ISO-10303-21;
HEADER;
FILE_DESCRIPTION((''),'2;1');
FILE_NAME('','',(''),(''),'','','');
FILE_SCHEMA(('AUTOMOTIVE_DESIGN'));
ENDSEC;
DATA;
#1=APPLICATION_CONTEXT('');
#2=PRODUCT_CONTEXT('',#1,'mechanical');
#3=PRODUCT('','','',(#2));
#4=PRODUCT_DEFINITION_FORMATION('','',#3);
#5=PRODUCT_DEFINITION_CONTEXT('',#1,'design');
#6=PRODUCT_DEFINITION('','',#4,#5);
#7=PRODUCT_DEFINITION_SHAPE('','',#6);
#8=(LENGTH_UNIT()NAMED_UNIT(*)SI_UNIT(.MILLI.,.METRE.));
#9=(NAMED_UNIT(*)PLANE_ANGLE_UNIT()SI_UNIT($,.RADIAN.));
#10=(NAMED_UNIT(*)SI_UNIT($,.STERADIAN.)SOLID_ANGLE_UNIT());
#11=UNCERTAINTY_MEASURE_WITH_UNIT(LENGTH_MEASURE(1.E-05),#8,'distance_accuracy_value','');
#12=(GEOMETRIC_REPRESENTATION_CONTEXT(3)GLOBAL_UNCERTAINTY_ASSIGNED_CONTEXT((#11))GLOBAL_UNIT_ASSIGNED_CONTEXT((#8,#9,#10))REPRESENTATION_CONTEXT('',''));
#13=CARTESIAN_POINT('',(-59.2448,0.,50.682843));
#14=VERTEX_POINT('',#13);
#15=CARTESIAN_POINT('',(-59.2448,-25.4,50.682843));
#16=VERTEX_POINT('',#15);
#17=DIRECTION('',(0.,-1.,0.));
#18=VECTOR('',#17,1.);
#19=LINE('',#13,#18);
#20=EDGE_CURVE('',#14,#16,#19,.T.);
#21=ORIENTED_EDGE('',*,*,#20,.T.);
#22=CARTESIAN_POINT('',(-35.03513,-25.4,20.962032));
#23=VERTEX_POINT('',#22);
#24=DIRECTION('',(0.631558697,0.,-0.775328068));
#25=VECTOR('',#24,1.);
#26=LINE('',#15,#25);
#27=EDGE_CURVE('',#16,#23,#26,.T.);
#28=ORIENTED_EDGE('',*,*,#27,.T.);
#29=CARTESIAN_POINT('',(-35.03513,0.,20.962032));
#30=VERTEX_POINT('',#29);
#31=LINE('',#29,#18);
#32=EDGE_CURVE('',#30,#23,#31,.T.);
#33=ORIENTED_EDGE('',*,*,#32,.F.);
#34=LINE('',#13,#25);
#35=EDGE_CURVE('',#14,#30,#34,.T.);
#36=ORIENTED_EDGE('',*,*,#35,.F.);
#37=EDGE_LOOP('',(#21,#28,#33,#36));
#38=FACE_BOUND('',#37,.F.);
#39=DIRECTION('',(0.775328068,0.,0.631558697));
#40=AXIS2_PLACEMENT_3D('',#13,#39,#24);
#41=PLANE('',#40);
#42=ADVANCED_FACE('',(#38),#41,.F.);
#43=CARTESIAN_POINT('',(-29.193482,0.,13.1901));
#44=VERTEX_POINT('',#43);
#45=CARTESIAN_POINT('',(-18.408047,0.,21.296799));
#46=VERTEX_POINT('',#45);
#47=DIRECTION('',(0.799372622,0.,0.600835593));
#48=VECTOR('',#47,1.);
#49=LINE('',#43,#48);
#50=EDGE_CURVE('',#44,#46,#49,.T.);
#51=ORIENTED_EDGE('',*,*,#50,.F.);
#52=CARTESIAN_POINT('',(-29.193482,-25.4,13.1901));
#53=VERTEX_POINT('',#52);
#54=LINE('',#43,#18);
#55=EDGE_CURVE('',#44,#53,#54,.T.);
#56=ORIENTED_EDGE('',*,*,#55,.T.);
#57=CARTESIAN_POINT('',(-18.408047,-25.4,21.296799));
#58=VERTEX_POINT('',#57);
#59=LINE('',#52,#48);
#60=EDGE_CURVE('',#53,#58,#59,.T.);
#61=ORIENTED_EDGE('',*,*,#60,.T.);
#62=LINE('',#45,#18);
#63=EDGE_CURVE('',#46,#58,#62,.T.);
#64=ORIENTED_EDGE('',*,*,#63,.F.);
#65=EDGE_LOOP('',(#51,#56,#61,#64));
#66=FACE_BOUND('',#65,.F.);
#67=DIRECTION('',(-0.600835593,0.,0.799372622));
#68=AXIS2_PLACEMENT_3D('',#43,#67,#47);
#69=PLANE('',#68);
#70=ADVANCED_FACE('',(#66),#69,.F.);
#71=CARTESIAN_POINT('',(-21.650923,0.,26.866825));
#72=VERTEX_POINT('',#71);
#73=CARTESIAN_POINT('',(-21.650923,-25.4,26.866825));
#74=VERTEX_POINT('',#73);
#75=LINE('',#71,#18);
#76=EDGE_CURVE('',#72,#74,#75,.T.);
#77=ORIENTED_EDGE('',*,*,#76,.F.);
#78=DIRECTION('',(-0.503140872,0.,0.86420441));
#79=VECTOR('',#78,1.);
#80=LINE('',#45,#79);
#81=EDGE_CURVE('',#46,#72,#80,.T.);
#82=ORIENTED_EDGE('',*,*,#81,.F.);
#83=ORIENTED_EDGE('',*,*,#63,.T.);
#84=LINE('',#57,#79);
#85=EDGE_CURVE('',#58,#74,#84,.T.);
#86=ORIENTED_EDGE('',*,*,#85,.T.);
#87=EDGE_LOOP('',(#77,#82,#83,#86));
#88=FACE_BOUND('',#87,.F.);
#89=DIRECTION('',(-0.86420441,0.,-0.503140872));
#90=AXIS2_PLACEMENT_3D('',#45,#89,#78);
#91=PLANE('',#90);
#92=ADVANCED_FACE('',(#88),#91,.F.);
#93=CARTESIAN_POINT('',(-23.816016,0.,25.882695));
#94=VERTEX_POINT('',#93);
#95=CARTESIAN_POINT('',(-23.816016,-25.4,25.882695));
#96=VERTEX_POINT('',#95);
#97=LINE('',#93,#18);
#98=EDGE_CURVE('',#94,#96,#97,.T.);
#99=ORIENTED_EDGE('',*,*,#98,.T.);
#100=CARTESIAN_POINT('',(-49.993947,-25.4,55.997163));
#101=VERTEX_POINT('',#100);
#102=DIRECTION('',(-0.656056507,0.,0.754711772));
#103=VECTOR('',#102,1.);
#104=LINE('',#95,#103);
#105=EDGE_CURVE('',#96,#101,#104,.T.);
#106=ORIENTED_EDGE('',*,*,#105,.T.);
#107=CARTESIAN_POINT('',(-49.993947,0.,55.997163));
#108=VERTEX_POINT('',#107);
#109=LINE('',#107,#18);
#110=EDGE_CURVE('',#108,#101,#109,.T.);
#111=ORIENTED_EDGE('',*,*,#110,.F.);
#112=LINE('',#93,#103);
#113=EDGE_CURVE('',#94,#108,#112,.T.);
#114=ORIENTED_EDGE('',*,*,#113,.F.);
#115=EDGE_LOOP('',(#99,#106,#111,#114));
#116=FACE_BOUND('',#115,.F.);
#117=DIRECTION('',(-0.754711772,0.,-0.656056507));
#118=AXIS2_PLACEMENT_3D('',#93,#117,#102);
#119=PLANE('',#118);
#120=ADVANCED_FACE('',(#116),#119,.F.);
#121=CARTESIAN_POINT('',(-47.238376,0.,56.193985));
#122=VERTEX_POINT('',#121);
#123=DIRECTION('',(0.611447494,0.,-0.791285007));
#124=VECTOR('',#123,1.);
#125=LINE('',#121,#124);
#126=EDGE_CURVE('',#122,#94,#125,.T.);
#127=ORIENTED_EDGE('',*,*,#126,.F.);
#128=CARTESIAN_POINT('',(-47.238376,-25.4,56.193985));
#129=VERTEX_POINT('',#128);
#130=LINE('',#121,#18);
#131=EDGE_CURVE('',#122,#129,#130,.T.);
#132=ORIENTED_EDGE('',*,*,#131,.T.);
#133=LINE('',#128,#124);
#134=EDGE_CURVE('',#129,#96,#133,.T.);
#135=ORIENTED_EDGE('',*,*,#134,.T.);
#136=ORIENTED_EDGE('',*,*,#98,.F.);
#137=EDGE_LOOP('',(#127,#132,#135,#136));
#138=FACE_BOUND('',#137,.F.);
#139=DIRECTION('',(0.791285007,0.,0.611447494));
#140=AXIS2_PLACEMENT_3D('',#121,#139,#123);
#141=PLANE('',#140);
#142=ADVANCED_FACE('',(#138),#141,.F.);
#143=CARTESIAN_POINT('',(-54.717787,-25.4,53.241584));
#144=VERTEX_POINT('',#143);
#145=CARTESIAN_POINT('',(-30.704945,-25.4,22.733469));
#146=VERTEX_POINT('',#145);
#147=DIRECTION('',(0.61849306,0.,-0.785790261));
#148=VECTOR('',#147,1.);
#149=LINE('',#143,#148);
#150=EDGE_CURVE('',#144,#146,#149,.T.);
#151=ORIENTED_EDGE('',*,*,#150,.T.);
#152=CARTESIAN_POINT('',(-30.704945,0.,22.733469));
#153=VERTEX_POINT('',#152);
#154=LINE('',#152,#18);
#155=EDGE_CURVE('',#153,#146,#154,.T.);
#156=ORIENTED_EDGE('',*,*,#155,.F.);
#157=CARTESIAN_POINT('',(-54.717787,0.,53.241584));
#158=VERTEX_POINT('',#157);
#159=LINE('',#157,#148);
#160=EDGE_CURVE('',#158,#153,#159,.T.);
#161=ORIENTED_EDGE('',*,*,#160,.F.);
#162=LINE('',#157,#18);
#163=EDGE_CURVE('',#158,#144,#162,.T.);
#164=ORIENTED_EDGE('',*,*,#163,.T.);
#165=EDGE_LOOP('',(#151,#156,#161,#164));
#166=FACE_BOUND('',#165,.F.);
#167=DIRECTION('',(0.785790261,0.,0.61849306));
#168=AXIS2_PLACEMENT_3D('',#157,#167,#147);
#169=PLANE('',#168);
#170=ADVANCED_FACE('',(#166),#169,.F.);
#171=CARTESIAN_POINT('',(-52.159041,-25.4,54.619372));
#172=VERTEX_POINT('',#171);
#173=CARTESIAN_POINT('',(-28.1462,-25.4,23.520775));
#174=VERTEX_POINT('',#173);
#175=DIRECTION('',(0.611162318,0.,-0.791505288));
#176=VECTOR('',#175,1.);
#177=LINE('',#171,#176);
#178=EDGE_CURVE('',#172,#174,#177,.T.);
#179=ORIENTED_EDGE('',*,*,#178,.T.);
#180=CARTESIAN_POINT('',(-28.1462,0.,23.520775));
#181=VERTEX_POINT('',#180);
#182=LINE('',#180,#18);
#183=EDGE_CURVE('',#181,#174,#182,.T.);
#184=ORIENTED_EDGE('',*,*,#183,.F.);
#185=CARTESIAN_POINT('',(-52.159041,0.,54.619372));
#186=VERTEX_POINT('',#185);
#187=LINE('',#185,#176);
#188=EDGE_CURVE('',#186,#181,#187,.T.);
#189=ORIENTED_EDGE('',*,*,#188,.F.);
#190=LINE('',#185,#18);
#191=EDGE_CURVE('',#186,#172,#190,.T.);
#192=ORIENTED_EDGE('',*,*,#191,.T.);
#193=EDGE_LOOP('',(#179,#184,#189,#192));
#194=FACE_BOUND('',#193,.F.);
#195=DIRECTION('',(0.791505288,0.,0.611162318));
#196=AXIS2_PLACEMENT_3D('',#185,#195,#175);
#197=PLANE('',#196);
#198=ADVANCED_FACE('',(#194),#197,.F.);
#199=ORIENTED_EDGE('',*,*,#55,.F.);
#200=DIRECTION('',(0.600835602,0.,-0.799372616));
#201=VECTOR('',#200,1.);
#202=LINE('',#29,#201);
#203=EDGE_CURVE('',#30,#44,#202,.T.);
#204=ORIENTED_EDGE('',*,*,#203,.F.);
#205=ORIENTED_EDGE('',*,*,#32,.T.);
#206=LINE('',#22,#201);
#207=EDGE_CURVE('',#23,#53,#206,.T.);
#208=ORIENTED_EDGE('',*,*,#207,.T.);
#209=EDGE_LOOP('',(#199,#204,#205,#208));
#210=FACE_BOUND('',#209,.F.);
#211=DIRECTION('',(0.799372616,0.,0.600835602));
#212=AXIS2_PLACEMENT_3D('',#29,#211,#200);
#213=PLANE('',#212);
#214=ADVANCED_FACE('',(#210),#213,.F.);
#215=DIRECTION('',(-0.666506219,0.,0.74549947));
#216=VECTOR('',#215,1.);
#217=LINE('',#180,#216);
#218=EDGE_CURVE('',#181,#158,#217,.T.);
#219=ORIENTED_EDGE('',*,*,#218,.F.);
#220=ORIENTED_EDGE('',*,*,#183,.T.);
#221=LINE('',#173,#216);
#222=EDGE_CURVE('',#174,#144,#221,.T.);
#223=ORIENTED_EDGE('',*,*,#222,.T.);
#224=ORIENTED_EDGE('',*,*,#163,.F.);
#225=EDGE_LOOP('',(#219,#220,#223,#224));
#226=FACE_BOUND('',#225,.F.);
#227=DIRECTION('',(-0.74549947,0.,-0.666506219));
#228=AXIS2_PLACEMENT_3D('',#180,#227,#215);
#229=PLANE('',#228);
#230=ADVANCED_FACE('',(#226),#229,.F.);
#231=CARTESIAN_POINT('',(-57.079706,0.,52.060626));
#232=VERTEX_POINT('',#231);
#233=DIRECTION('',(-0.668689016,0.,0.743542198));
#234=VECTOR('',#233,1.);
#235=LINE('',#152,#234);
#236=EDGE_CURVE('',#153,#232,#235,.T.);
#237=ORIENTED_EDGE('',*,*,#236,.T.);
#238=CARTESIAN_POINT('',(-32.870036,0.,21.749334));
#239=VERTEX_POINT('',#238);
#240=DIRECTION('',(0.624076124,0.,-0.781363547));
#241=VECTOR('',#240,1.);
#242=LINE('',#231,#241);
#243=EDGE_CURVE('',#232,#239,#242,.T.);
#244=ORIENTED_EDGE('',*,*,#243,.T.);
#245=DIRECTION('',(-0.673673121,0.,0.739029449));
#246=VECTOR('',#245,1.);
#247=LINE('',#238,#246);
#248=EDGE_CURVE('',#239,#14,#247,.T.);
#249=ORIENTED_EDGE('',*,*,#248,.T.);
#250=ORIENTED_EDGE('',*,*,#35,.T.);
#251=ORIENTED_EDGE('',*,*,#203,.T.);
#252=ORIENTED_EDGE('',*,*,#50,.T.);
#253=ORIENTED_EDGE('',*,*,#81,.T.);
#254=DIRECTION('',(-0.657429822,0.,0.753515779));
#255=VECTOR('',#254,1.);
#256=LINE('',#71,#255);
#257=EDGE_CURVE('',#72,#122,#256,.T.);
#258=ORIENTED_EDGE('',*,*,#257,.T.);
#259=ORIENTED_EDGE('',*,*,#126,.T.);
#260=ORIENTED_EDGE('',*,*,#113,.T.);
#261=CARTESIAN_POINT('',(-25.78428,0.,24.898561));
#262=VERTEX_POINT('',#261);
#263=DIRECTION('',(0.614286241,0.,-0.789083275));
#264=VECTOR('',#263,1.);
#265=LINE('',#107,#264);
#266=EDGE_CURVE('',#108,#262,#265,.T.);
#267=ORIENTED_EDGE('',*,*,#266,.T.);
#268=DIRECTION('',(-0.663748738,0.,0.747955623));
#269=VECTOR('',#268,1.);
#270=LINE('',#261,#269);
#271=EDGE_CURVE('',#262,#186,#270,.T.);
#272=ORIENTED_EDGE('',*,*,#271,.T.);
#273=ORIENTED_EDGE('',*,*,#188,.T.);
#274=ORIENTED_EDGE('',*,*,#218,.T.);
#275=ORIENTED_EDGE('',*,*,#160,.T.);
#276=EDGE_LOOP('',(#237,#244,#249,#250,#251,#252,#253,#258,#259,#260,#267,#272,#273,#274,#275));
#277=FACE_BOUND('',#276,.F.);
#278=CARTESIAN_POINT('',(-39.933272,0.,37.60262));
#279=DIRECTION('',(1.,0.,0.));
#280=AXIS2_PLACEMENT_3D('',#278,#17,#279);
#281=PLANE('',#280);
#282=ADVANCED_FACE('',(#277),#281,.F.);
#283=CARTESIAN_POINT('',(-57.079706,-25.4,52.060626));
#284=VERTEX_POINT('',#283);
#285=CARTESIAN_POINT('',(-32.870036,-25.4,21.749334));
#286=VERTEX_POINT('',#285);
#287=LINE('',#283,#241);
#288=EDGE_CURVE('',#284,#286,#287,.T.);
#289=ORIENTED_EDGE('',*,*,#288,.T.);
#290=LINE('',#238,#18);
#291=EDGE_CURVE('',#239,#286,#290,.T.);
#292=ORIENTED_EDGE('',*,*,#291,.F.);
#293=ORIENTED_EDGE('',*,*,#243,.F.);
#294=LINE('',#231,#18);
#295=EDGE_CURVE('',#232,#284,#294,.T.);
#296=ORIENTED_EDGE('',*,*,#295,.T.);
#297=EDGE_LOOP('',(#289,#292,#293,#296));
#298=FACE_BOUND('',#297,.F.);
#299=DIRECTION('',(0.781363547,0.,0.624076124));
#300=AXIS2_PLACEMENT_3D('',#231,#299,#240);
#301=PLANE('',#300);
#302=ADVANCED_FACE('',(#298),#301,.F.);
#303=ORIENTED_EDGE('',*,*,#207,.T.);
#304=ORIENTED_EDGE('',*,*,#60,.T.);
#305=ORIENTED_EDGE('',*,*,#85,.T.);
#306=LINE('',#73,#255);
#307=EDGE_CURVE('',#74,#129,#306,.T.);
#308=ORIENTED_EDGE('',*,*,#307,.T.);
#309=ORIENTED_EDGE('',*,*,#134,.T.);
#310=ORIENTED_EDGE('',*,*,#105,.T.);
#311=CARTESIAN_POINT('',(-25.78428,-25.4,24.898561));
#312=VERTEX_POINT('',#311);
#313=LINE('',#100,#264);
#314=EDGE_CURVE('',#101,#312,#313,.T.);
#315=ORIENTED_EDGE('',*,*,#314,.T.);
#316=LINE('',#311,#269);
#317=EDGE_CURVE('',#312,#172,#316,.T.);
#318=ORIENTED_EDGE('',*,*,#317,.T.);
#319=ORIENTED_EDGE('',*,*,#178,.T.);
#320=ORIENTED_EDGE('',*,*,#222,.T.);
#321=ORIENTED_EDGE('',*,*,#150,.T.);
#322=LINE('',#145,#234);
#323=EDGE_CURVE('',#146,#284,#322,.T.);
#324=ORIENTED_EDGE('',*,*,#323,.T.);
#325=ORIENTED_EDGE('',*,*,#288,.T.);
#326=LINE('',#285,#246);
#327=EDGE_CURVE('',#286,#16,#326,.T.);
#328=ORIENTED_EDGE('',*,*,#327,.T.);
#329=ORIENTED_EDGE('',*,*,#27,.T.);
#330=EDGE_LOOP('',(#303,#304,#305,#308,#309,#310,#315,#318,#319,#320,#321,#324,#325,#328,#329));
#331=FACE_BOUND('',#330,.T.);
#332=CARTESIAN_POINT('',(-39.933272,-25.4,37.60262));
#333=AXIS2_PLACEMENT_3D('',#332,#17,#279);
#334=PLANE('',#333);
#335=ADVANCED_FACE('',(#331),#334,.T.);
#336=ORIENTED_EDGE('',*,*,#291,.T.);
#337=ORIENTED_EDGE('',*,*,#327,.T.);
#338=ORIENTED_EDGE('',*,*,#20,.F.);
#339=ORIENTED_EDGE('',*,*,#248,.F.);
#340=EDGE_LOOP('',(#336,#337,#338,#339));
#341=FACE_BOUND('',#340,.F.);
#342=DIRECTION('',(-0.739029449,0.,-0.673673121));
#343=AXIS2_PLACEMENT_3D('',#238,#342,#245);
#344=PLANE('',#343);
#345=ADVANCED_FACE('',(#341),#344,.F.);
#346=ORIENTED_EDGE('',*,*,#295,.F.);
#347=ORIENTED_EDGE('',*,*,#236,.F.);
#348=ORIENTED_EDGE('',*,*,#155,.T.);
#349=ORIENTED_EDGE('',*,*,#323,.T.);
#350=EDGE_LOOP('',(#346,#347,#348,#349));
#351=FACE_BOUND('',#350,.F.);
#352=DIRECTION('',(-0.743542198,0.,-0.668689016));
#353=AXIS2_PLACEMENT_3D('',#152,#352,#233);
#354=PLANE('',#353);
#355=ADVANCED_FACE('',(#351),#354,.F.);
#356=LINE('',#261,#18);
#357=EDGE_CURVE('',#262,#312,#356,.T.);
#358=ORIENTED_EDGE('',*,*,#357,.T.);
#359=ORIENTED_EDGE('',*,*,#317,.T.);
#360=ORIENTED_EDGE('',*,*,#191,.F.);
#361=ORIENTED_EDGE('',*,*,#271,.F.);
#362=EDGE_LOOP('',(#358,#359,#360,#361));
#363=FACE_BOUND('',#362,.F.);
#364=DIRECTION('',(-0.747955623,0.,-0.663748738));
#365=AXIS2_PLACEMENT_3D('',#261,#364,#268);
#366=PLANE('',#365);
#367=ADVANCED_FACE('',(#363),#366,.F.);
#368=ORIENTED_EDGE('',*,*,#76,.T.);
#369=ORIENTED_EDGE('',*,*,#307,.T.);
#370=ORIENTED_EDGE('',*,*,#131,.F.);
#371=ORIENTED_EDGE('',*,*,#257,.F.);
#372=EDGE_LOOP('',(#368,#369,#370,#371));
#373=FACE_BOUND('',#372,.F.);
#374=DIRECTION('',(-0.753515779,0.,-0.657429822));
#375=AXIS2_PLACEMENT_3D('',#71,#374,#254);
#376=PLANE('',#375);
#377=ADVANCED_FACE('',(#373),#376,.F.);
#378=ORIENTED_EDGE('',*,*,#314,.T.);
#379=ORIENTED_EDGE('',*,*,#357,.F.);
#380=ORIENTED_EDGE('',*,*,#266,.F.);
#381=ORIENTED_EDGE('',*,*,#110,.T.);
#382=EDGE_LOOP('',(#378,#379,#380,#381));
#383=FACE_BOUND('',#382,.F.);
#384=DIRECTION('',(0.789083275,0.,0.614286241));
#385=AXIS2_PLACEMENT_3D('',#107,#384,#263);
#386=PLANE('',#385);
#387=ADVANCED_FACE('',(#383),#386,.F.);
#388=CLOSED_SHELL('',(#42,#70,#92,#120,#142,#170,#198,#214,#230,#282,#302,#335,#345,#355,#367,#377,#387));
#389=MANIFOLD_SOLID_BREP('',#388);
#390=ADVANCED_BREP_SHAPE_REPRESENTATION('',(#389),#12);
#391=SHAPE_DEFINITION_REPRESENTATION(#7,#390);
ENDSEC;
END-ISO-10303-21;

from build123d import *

# Parameters (mm, degrees)
F1_DEPTH = 25.4
F2_DEPTH = 25.4


with BuildPart() as f1:
    # F0 (on Front) → F1 (new body)
    with BuildSketch(Plane.XZ):
        Polygon((-59.2448, 50.682843), (-35.03513, 20.962032), (-29.193482, 13.1901), (-18.408047, 21.296799), (-21.650923, 26.866825), (-47.238376, 56.193985), (-23.816016, 25.882695), (-49.993947, 55.997163), (-25.78428, 24.898561), (-52.159041, 54.619372), (-28.1462, 23.520775), (-54.717787, 53.241584), (-30.704945, 22.733469), (-57.079706, 52.060626), (-32.870036, 21.749334), align=None)
    extrude(amount=F1_DEPTH)

    # F0 (on Front) → F2 (join)
    with BuildSketch(Plane.XZ):
        Polygon((-59.2448, 50.682843), (-35.03513, 20.962032), (-29.193482, 13.1901), (-18.408047, 21.296799), (-21.650923, 26.866825), (-47.238376, 56.193985), (-23.816016, 25.882695), (-49.993947, 55.997163), (-25.78428, 24.898561), (-52.159041, 54.619372), (-28.1462, 23.520775), (-54.717787, 53.241584), (-30.704945, 22.733469), (-57.079706, 52.060626), (-32.870036, 21.749334), align=None)
    extrude(amount=F2_DEPTH)


solid = f1.part
